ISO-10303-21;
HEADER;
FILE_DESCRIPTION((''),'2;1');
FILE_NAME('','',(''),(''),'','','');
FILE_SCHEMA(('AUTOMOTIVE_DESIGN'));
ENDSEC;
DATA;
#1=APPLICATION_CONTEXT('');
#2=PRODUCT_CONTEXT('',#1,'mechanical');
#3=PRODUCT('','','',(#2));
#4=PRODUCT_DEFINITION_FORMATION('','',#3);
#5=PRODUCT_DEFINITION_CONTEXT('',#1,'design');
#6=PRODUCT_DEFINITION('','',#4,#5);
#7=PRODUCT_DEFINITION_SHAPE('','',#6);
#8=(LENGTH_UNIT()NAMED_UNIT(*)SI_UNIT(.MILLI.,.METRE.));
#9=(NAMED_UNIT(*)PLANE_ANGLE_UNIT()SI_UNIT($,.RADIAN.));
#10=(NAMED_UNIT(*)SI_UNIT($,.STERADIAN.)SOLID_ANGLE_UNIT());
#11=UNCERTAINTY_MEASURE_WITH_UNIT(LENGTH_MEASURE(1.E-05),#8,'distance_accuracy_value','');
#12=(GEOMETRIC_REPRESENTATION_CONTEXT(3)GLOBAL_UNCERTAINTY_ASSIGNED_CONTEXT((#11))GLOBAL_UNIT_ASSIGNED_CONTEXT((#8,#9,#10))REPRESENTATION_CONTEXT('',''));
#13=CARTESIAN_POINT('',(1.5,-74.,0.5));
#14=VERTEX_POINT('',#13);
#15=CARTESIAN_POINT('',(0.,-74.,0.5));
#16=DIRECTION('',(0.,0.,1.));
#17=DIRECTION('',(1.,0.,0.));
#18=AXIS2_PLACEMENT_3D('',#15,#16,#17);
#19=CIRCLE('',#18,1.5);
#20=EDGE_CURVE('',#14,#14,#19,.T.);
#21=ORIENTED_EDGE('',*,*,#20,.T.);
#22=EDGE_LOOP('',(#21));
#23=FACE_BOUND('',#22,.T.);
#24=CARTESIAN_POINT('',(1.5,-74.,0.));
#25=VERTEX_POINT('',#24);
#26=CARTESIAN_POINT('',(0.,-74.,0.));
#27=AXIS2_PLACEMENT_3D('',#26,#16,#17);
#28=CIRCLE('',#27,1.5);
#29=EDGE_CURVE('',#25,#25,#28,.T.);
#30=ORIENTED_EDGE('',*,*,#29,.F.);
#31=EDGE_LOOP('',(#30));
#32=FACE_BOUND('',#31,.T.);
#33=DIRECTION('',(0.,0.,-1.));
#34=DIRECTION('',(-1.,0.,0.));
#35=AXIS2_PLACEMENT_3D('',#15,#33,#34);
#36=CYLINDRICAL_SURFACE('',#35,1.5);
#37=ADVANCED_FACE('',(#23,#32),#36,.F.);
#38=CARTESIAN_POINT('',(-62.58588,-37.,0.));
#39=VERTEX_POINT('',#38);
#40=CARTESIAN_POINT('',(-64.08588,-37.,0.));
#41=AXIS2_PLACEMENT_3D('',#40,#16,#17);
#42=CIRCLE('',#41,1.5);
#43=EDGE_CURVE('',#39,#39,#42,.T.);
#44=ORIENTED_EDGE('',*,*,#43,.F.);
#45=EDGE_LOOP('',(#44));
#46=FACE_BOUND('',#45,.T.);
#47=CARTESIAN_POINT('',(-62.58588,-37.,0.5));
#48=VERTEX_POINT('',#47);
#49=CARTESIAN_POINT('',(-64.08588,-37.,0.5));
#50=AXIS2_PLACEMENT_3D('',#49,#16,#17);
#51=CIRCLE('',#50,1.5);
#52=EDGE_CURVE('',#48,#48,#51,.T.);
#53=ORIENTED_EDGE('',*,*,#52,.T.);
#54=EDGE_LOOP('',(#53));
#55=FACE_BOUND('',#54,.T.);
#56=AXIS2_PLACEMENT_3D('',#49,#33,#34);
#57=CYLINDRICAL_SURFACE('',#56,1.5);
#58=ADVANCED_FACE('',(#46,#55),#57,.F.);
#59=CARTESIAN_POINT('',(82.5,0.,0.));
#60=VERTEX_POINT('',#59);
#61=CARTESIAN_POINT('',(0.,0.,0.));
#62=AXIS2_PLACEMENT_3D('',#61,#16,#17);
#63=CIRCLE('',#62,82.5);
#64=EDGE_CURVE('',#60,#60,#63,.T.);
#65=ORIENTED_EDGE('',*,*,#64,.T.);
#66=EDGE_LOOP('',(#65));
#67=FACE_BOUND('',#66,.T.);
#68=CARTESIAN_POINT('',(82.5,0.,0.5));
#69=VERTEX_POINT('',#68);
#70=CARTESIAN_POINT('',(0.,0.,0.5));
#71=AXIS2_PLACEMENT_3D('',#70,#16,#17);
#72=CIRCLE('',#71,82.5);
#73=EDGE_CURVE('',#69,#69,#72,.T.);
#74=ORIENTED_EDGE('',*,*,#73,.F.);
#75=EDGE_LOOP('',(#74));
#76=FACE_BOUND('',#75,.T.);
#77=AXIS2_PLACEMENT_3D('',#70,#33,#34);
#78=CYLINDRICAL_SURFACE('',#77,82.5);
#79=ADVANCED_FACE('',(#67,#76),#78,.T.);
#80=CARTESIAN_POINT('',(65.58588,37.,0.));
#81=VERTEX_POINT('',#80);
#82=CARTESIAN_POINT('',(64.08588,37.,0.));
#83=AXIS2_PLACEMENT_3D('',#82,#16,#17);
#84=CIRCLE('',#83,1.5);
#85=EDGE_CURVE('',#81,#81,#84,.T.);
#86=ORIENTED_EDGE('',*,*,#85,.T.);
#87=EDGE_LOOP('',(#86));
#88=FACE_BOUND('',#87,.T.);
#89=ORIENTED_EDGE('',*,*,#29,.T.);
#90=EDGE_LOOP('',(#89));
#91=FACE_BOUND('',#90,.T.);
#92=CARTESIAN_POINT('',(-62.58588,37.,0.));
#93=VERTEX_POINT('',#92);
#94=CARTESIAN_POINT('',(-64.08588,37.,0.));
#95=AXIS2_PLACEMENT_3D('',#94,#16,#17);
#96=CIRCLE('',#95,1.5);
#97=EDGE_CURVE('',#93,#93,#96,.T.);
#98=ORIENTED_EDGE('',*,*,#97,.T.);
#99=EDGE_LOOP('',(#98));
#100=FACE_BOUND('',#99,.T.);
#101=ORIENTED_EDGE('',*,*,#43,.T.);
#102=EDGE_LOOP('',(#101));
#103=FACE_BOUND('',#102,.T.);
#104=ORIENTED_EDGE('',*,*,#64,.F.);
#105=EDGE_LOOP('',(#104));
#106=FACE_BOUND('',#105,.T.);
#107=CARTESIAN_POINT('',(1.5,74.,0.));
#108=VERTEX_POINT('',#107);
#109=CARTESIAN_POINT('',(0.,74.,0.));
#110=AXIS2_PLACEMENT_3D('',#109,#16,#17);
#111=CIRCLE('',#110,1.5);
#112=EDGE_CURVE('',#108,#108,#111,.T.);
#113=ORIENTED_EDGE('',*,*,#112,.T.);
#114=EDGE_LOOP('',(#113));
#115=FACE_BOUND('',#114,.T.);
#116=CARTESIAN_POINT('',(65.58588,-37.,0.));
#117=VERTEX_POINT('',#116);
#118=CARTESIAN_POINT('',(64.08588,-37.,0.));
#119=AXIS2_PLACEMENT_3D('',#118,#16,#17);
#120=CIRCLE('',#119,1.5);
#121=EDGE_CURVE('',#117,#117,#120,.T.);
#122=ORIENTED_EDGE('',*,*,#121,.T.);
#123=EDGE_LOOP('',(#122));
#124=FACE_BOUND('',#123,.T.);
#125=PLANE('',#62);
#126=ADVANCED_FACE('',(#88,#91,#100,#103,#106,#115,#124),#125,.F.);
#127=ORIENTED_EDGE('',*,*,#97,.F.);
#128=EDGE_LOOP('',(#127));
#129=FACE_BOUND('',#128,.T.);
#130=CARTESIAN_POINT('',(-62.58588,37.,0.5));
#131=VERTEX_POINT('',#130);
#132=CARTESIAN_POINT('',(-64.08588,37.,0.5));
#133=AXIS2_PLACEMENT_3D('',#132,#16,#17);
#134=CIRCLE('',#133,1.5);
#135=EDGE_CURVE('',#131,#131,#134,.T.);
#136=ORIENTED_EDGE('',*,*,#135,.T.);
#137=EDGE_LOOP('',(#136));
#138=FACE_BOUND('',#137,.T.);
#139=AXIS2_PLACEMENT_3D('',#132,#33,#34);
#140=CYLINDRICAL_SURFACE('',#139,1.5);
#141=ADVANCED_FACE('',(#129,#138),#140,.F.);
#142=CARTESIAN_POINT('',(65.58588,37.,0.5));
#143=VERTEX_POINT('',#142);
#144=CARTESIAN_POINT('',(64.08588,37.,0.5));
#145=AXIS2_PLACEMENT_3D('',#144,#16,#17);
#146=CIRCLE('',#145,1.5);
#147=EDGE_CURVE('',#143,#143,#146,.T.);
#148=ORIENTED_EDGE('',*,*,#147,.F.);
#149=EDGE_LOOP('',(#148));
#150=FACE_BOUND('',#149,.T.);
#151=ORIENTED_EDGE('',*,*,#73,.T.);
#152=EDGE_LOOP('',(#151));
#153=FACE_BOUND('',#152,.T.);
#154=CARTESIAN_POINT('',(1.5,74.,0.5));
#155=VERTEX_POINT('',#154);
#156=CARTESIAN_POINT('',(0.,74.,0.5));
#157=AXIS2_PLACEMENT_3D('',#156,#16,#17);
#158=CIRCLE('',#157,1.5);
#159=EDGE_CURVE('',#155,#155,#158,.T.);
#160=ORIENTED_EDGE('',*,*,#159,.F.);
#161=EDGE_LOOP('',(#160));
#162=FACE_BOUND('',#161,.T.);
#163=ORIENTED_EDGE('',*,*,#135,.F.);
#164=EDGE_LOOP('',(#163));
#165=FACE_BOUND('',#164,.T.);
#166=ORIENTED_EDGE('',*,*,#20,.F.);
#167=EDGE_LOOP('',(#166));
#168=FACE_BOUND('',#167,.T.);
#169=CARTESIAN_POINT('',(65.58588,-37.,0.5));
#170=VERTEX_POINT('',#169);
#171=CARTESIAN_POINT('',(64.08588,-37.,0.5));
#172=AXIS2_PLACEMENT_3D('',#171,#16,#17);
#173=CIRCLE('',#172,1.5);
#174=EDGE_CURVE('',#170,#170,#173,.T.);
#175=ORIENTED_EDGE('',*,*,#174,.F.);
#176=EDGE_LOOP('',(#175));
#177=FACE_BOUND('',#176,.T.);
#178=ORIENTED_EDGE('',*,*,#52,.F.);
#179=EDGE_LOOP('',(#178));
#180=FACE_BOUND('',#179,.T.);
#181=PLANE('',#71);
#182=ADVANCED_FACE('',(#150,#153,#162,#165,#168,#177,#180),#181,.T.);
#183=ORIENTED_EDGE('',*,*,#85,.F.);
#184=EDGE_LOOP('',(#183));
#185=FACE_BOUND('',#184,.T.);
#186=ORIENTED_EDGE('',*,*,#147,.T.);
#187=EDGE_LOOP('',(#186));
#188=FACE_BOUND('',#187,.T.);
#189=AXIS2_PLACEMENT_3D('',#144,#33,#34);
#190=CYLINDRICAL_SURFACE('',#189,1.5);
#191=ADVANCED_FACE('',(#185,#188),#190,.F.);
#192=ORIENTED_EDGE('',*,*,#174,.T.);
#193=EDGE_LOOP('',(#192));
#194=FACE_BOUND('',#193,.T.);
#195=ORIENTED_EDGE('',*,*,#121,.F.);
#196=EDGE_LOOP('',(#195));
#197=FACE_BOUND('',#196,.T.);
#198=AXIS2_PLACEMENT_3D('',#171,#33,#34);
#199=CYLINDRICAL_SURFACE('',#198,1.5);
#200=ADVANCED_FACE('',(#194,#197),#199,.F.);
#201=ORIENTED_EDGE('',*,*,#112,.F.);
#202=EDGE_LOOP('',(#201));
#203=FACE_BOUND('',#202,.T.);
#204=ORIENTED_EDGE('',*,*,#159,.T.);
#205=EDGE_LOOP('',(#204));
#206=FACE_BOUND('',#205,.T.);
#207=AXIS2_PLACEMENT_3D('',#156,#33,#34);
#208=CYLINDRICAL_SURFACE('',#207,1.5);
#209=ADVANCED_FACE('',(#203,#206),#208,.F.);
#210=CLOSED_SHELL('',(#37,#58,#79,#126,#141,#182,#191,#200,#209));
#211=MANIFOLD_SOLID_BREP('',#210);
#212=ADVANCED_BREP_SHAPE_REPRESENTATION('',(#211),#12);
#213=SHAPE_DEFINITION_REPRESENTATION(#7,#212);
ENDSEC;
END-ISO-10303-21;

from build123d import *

# Parameters (mm, degrees)
SKETCH1_R           = 82.5
SKETCH1_R_2         = 1.5
BOSS_EXTRUDE1_DEPTH = 0.5


with BuildPart() as part:
    # Sketch1 → Boss-Extrude1 (new body)
    with BuildSketch(Plane.XY):
        Circle(SKETCH1_R)
        with Locations((0, 74)):
            Circle(SKETCH1_R_2, mode=Mode.SUBTRACT)
        with Locations((0, -74)):
            Circle(SKETCH1_R_2, mode=Mode.SUBTRACT)
        with Locations((64.08587988, 37)):
            Circle(SKETCH1_R_2, mode=Mode.SUBTRACT)
        with Locations((64.08587988, -37)):
            Circle(SKETCH1_R_2, mode=Mode.SUBTRACT)
        with Locations((-64.08587988, -37)):
            Circle(SKETCH1_R_2, mode=Mode.SUBTRACT)
        with Locations((-64.08587988, 37)):
            Circle(SKETCH1_R_2, mode=Mode.SUBTRACT)
    extrude(amount=BOSS_EXTRUDE1_DEPTH)


solid = part.part
